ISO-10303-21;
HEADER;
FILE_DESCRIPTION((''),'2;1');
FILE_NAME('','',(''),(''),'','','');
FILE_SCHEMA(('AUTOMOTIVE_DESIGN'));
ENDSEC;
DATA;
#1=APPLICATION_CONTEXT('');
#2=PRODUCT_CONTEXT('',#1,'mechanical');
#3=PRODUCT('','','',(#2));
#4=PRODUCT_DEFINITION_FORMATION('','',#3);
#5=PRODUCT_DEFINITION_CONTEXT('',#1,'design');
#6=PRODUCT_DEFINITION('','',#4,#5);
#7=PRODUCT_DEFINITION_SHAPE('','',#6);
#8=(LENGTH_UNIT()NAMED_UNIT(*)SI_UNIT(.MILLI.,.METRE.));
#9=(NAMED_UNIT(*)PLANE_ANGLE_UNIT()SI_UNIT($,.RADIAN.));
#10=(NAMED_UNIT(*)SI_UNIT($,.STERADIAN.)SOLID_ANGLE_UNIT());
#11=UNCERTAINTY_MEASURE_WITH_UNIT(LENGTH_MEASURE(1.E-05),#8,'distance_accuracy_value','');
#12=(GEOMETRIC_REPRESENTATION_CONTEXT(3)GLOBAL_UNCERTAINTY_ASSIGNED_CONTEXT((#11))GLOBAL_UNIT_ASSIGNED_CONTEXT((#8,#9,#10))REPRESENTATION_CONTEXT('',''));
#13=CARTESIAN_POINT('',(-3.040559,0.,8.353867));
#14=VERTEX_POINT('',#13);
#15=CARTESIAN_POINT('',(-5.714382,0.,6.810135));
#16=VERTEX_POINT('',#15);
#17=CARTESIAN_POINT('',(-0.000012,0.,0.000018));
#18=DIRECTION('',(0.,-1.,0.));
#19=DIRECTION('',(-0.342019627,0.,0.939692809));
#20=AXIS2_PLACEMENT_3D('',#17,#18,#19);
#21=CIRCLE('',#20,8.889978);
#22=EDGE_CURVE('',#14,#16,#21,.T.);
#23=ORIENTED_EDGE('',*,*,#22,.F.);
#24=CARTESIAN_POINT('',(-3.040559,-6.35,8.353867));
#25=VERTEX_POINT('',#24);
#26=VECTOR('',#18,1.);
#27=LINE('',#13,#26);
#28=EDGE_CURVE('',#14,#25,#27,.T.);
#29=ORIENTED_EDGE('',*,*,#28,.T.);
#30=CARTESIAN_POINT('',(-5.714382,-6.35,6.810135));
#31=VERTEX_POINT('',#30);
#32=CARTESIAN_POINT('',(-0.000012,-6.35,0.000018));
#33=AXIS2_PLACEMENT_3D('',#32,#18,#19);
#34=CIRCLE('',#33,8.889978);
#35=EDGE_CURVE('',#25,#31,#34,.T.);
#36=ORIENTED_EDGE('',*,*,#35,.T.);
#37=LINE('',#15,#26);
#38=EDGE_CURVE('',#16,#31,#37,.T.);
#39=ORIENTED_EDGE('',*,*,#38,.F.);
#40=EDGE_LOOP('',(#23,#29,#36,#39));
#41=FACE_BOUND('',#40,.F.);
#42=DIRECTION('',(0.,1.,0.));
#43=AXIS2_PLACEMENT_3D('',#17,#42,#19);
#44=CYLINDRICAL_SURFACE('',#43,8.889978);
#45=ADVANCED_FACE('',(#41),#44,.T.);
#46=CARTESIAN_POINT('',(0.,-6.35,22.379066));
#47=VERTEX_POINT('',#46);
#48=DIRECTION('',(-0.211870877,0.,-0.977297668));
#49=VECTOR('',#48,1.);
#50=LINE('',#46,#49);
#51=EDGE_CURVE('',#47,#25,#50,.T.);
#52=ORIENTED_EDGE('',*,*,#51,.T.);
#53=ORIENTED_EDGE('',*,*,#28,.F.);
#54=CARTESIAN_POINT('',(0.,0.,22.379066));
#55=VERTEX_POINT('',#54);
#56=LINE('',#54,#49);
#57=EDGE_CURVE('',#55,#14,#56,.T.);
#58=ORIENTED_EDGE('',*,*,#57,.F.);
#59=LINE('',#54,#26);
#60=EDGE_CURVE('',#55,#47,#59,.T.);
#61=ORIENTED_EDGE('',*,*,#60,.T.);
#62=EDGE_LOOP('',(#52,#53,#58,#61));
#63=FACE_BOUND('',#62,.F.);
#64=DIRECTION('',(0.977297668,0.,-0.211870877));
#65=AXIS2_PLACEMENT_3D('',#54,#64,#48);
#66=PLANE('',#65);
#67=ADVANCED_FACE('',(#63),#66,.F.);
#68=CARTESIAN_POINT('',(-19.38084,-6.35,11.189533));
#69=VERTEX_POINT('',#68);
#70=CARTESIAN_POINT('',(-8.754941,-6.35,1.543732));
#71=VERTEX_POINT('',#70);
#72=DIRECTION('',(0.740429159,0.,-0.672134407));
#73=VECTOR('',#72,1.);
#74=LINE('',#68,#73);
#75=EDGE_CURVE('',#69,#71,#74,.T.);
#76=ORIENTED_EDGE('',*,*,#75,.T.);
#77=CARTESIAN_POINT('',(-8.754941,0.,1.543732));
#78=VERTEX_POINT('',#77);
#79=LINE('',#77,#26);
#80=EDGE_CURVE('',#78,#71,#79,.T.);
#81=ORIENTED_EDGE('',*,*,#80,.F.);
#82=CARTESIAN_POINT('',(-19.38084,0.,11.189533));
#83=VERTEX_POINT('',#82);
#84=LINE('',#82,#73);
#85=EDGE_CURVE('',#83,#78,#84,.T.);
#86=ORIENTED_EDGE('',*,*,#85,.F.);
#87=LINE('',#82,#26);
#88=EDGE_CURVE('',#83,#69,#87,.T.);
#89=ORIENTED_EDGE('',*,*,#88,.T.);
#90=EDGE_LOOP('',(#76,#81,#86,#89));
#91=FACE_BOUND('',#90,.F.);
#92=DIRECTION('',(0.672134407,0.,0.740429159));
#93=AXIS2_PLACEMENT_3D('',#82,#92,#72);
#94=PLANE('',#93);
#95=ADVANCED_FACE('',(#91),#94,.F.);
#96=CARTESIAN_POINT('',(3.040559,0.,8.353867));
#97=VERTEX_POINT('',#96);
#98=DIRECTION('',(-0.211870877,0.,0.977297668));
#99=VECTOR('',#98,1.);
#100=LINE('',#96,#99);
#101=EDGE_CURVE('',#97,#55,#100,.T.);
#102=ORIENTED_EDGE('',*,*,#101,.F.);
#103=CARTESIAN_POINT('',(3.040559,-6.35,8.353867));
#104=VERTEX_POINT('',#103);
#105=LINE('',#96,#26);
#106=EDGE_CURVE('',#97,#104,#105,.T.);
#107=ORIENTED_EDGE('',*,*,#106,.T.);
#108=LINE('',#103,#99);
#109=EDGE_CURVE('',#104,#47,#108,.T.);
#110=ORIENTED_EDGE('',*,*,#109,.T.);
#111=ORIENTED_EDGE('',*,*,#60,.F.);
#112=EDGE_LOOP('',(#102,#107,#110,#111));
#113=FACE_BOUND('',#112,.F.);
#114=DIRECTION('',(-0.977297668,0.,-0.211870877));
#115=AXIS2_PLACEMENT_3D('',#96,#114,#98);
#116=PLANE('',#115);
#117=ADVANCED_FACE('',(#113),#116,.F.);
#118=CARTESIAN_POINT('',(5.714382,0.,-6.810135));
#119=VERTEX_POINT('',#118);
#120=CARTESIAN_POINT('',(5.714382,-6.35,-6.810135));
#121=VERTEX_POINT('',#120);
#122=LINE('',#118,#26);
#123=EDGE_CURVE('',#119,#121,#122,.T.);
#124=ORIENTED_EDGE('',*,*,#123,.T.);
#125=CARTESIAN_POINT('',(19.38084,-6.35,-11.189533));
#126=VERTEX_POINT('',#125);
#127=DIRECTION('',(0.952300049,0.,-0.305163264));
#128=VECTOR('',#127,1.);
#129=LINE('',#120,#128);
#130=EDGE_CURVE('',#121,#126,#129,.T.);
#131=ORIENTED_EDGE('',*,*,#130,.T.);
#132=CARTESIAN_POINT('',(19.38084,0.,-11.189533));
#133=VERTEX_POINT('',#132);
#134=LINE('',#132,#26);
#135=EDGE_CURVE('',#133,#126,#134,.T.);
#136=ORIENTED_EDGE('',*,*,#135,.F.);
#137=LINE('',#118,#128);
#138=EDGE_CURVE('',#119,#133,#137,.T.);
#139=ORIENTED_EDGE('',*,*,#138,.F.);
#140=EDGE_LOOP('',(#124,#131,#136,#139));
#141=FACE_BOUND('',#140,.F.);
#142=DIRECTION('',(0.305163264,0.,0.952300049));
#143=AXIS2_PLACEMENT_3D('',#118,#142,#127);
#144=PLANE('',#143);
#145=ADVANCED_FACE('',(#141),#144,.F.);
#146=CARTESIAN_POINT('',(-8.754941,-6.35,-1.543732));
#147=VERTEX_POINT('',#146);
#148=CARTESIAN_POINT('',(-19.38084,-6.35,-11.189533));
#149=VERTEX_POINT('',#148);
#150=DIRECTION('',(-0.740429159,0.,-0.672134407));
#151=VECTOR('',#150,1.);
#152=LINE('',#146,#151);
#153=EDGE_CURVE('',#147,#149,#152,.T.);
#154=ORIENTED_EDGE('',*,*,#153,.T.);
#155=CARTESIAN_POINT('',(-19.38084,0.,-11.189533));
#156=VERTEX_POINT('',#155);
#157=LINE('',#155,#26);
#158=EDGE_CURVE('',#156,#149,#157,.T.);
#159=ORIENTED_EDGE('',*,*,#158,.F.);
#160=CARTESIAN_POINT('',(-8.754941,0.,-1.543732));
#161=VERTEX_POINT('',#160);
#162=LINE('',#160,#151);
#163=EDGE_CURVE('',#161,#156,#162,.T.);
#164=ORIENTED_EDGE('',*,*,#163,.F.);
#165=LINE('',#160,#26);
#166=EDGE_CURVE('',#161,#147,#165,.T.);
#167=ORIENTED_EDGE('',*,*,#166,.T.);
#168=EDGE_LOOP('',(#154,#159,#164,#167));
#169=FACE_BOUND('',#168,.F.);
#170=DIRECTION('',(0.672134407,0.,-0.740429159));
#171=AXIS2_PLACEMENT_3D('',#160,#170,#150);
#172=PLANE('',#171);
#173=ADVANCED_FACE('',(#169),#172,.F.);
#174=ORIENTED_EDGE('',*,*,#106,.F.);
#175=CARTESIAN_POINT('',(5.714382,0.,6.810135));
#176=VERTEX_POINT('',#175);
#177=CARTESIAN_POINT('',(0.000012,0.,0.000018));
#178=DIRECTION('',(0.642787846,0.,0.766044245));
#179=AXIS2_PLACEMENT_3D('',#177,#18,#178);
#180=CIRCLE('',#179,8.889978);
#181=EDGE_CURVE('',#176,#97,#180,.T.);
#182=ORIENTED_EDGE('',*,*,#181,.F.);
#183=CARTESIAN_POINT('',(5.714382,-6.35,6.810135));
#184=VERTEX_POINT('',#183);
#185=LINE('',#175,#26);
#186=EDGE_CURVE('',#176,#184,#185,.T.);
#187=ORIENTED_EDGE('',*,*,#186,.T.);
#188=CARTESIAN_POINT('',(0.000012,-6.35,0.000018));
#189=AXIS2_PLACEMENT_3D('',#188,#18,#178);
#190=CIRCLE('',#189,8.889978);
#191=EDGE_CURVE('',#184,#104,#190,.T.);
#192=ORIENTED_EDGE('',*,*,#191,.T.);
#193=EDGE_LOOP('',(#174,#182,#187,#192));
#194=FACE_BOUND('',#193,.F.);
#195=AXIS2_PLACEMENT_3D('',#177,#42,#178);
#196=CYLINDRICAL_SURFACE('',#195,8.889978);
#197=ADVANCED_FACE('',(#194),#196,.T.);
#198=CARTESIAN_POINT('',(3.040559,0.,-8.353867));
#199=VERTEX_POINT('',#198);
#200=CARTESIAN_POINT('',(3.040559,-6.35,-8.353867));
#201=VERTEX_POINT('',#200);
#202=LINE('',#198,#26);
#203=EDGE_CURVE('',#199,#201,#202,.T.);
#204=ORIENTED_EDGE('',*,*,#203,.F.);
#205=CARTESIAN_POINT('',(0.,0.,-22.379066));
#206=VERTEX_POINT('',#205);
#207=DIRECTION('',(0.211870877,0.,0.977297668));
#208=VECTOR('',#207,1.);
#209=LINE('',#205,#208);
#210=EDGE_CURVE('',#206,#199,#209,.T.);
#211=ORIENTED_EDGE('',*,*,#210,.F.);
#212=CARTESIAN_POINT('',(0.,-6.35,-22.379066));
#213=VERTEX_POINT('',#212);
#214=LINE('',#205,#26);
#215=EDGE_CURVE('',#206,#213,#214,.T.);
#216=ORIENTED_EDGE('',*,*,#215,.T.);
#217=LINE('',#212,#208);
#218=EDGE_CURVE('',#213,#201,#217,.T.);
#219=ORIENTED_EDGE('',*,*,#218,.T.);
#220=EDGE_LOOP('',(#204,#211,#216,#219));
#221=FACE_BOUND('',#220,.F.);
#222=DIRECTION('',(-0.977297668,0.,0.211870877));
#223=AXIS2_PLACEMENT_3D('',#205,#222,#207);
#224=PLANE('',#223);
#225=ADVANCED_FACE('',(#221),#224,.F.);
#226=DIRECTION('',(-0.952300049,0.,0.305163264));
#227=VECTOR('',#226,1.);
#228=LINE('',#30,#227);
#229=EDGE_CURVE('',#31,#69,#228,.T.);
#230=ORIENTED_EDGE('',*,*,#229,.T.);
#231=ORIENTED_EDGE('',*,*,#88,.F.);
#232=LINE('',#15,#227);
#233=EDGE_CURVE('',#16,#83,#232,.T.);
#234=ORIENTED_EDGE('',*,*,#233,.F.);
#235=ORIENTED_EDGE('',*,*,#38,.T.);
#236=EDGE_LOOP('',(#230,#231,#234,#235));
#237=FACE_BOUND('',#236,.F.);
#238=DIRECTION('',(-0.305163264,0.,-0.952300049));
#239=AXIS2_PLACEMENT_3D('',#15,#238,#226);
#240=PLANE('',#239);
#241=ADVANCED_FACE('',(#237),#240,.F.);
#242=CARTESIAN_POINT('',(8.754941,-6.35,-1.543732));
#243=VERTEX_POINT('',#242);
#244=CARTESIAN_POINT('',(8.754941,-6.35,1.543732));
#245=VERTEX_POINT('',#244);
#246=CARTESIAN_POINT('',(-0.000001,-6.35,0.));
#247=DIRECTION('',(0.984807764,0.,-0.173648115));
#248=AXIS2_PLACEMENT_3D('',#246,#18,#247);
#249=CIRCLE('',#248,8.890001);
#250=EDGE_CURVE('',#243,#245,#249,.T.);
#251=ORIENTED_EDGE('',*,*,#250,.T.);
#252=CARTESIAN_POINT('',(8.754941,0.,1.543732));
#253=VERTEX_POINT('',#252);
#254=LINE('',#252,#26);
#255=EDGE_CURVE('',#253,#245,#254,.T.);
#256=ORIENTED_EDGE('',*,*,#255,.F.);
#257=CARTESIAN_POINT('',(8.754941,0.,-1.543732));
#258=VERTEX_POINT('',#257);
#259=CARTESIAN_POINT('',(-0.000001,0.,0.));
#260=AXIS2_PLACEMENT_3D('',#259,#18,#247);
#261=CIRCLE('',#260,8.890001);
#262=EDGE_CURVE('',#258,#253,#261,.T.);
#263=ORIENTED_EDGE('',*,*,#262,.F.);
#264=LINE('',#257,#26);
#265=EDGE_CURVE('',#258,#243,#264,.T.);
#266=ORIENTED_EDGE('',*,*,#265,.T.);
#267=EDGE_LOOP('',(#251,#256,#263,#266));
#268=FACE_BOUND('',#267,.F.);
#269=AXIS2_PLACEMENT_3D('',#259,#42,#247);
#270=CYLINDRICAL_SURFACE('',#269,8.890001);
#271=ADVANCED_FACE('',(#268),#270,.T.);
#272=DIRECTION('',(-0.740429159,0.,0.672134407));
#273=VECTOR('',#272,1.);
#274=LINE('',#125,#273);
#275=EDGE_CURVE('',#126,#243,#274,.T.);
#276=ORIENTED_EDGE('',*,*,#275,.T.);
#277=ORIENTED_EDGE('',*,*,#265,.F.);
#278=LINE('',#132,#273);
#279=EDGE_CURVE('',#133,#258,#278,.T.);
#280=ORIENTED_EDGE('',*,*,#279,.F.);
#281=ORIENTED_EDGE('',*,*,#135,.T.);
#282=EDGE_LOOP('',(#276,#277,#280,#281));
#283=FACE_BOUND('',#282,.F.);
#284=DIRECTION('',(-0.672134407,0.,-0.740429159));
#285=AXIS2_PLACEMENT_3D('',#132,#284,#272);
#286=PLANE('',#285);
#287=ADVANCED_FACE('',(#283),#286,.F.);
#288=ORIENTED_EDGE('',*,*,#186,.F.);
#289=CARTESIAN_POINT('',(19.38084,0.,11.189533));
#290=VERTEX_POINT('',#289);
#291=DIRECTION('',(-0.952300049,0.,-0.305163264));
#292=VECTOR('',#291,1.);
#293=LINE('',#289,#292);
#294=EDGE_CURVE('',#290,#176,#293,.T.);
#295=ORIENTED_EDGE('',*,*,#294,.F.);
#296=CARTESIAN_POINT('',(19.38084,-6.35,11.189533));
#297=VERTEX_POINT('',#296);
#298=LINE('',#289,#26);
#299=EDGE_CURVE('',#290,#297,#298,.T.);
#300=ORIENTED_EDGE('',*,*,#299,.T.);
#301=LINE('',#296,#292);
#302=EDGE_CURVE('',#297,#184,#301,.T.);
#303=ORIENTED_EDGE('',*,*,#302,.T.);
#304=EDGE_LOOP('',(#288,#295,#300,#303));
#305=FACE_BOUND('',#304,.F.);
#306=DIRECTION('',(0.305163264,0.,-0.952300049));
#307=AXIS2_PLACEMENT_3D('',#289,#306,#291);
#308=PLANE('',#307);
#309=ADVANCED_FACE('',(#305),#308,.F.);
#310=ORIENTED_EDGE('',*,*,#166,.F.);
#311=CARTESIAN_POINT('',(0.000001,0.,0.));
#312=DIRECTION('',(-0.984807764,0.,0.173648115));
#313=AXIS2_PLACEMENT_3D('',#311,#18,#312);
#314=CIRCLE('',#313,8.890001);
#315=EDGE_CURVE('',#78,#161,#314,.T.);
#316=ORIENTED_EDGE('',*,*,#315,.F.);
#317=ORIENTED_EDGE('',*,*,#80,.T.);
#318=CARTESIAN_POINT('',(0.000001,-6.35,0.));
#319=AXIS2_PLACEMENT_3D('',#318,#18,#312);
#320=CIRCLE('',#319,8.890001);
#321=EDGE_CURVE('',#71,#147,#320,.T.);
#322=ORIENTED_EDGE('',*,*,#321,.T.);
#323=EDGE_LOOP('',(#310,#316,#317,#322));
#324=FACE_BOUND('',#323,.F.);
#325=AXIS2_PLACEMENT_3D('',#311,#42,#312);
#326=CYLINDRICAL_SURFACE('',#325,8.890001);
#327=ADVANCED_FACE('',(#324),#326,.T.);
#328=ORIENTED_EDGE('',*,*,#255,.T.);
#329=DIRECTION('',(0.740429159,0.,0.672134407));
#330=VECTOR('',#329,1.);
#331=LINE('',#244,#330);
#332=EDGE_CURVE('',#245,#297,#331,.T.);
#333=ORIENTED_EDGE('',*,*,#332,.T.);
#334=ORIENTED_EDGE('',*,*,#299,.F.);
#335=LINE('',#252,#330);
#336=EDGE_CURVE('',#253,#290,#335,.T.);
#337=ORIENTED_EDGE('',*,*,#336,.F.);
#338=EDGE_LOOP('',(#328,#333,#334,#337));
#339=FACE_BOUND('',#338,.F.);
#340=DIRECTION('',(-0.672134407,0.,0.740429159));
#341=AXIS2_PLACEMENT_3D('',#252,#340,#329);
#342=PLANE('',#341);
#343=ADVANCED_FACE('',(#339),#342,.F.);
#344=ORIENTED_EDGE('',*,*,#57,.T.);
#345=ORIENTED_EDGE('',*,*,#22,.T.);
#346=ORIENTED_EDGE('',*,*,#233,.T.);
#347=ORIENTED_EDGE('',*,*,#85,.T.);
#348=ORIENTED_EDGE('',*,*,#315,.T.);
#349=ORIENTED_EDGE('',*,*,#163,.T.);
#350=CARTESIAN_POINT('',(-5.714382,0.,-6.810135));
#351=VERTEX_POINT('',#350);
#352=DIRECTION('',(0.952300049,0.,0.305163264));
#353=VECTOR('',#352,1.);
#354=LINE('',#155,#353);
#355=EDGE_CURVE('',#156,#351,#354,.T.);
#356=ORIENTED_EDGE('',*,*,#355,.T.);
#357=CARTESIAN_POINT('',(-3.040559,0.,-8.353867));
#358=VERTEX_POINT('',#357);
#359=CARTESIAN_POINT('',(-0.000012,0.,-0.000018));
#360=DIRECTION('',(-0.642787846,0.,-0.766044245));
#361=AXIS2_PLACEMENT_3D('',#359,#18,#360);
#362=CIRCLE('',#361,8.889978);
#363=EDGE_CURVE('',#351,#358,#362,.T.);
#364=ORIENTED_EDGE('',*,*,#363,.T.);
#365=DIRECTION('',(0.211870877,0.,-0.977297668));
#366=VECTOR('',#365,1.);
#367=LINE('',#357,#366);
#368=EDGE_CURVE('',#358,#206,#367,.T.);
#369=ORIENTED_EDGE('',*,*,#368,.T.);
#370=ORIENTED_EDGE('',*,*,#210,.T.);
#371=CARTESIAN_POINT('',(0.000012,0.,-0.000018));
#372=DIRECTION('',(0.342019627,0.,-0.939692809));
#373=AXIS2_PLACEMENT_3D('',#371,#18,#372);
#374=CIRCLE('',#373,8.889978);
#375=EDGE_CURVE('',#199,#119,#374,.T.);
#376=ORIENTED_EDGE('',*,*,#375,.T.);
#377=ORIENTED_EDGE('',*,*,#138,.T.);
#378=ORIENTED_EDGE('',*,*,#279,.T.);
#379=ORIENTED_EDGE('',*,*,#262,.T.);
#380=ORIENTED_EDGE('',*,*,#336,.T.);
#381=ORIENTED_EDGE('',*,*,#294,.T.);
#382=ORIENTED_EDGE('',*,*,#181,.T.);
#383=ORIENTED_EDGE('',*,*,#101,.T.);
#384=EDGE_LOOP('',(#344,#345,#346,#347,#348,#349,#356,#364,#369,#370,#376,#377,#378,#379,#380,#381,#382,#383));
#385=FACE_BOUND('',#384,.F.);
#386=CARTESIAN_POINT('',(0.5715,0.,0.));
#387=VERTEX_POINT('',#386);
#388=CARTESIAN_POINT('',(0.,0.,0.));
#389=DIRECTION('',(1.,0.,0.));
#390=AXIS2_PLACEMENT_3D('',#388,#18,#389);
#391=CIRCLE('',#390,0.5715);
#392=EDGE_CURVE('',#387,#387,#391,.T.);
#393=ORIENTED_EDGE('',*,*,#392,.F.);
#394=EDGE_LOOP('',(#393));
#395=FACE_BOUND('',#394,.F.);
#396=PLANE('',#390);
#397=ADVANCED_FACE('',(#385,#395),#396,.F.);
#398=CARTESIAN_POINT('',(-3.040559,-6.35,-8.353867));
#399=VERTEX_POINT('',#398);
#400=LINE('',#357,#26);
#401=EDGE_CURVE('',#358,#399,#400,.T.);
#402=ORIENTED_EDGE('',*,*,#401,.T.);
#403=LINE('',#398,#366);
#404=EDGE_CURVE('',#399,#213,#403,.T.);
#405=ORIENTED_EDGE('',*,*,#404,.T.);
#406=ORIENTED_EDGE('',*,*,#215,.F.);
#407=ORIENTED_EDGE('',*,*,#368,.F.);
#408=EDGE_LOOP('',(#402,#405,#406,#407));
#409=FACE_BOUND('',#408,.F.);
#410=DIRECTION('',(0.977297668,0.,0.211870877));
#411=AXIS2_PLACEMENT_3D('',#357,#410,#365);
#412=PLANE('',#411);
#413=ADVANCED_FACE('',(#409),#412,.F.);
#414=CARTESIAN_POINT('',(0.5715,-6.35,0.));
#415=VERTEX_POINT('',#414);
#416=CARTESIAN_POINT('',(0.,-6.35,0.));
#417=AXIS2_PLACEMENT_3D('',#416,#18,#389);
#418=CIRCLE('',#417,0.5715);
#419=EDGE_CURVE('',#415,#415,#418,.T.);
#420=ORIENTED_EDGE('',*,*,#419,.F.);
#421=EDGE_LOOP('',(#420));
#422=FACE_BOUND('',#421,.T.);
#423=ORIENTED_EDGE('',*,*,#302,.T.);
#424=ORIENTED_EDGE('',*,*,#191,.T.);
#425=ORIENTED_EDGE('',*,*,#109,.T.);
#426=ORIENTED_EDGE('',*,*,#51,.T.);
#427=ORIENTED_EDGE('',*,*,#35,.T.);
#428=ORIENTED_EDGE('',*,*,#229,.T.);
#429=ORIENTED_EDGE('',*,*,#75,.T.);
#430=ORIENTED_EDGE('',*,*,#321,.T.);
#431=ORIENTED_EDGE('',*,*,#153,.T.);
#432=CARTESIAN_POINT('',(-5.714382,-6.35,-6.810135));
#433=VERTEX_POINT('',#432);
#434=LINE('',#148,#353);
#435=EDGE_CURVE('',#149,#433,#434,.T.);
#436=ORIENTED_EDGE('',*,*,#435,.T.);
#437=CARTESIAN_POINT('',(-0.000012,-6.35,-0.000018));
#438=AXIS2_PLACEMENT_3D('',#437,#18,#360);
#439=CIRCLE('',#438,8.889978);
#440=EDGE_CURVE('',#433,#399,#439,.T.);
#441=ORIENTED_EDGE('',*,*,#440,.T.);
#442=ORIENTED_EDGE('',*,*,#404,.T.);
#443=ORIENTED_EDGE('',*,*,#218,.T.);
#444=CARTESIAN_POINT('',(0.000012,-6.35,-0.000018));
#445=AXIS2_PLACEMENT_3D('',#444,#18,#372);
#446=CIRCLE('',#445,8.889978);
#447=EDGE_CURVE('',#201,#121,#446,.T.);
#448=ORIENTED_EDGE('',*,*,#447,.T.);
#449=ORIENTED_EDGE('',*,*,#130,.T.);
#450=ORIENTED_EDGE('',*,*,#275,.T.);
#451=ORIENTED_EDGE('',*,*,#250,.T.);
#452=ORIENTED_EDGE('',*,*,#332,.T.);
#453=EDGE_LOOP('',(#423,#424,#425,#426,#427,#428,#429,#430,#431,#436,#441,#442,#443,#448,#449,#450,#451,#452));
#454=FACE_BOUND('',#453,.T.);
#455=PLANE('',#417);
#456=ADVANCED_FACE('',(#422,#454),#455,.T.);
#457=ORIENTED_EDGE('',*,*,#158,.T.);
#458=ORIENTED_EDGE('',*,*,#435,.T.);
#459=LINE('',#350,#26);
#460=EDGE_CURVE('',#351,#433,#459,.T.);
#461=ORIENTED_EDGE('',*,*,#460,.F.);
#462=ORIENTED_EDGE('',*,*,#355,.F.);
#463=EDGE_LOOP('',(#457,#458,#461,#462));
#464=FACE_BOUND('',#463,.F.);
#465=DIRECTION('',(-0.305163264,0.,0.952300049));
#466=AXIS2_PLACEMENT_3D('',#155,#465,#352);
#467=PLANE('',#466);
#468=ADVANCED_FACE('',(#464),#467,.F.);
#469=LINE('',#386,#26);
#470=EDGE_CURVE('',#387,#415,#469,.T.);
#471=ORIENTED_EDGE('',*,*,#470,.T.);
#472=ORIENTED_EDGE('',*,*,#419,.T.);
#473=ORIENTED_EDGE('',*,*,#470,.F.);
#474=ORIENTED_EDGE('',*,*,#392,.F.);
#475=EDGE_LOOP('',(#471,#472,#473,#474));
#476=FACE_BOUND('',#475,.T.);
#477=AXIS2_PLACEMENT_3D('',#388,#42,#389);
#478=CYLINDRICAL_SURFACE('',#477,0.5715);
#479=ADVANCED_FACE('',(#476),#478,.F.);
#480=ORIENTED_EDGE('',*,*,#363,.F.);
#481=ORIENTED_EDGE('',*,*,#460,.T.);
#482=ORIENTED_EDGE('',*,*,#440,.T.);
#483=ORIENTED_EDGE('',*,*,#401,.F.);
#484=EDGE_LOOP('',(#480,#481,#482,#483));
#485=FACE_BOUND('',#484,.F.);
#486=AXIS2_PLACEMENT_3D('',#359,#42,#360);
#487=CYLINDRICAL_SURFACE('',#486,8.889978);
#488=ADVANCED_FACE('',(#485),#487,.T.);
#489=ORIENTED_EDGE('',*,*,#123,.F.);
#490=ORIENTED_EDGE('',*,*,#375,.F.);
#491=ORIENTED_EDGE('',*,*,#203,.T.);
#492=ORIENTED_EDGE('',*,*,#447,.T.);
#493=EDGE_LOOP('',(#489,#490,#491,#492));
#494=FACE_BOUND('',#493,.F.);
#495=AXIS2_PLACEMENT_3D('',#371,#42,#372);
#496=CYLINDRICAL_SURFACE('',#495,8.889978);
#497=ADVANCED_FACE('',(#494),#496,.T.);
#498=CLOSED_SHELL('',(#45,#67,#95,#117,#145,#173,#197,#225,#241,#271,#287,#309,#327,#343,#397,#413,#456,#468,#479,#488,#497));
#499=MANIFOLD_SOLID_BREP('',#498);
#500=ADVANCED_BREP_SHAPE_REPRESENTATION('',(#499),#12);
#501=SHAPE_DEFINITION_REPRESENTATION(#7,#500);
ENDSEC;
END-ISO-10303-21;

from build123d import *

# Parameters (mm, degrees)
F0_R     = 0.5715
F1_DEPTH = 6.35


with BuildPart() as f1:
    # F0 (on Front) → F1 (new body)
    with BuildSketch(Plane.XZ):
        with BuildLine():
            Line((0, 22.379066), (-3.040559, 8.353867))
            ThreePointArc((-3.040559, 8.353867), (-4.445, 7.698966), (-5.714382, 6.810135))
            Line((-5.714382, 6.810135), (-19.38084, 11.189533))
            Line((-19.38084, 11.189533), (-8.754941, 1.543732))
            ThreePointArc((-8.754941, 1.543732), (-8.89, 0), (-8.754941, -1.543732))
            Line((-8.754941, -1.543732), (-19.38084, -11.189533))
            Line((-19.38084, -11.189533), (-5.714382, -6.810135))
            ThreePointArc((-5.714382, -6.810135), (-4.445, -7.698966), (-3.040559, -8.353867))
            Line((-3.040559, -8.353867), (0, -22.379066))
            Line((0, -22.379066), (3.040559, -8.353867))
            ThreePointArc((3.040559, -8.353867), (4.445, -7.698966), (5.714382, -6.810135))
            Line((5.714382, -6.810135), (19.38084, -11.189533))
            Line((19.38084, -11.189533), (8.754941, -1.543732))
            ThreePointArc((8.754941, -1.543732), (8.89, 0), (8.754941, 1.543732))
            Line((8.754941, 1.543732), (19.38084, 11.189533))
            Line((19.38084, 11.189533), (5.714382, 6.810135))
            ThreePointArc((5.714382, 6.810135), (4.445, 7.698966), (3.040559, 8.353867))
            Line((3.040559, 8.353867), (0, 22.379066))
        make_face()
        Circle(F0_R, mode=Mode.SUBTRACT)
    extrude(amount=F1_DEPTH)


solid = f1.part
